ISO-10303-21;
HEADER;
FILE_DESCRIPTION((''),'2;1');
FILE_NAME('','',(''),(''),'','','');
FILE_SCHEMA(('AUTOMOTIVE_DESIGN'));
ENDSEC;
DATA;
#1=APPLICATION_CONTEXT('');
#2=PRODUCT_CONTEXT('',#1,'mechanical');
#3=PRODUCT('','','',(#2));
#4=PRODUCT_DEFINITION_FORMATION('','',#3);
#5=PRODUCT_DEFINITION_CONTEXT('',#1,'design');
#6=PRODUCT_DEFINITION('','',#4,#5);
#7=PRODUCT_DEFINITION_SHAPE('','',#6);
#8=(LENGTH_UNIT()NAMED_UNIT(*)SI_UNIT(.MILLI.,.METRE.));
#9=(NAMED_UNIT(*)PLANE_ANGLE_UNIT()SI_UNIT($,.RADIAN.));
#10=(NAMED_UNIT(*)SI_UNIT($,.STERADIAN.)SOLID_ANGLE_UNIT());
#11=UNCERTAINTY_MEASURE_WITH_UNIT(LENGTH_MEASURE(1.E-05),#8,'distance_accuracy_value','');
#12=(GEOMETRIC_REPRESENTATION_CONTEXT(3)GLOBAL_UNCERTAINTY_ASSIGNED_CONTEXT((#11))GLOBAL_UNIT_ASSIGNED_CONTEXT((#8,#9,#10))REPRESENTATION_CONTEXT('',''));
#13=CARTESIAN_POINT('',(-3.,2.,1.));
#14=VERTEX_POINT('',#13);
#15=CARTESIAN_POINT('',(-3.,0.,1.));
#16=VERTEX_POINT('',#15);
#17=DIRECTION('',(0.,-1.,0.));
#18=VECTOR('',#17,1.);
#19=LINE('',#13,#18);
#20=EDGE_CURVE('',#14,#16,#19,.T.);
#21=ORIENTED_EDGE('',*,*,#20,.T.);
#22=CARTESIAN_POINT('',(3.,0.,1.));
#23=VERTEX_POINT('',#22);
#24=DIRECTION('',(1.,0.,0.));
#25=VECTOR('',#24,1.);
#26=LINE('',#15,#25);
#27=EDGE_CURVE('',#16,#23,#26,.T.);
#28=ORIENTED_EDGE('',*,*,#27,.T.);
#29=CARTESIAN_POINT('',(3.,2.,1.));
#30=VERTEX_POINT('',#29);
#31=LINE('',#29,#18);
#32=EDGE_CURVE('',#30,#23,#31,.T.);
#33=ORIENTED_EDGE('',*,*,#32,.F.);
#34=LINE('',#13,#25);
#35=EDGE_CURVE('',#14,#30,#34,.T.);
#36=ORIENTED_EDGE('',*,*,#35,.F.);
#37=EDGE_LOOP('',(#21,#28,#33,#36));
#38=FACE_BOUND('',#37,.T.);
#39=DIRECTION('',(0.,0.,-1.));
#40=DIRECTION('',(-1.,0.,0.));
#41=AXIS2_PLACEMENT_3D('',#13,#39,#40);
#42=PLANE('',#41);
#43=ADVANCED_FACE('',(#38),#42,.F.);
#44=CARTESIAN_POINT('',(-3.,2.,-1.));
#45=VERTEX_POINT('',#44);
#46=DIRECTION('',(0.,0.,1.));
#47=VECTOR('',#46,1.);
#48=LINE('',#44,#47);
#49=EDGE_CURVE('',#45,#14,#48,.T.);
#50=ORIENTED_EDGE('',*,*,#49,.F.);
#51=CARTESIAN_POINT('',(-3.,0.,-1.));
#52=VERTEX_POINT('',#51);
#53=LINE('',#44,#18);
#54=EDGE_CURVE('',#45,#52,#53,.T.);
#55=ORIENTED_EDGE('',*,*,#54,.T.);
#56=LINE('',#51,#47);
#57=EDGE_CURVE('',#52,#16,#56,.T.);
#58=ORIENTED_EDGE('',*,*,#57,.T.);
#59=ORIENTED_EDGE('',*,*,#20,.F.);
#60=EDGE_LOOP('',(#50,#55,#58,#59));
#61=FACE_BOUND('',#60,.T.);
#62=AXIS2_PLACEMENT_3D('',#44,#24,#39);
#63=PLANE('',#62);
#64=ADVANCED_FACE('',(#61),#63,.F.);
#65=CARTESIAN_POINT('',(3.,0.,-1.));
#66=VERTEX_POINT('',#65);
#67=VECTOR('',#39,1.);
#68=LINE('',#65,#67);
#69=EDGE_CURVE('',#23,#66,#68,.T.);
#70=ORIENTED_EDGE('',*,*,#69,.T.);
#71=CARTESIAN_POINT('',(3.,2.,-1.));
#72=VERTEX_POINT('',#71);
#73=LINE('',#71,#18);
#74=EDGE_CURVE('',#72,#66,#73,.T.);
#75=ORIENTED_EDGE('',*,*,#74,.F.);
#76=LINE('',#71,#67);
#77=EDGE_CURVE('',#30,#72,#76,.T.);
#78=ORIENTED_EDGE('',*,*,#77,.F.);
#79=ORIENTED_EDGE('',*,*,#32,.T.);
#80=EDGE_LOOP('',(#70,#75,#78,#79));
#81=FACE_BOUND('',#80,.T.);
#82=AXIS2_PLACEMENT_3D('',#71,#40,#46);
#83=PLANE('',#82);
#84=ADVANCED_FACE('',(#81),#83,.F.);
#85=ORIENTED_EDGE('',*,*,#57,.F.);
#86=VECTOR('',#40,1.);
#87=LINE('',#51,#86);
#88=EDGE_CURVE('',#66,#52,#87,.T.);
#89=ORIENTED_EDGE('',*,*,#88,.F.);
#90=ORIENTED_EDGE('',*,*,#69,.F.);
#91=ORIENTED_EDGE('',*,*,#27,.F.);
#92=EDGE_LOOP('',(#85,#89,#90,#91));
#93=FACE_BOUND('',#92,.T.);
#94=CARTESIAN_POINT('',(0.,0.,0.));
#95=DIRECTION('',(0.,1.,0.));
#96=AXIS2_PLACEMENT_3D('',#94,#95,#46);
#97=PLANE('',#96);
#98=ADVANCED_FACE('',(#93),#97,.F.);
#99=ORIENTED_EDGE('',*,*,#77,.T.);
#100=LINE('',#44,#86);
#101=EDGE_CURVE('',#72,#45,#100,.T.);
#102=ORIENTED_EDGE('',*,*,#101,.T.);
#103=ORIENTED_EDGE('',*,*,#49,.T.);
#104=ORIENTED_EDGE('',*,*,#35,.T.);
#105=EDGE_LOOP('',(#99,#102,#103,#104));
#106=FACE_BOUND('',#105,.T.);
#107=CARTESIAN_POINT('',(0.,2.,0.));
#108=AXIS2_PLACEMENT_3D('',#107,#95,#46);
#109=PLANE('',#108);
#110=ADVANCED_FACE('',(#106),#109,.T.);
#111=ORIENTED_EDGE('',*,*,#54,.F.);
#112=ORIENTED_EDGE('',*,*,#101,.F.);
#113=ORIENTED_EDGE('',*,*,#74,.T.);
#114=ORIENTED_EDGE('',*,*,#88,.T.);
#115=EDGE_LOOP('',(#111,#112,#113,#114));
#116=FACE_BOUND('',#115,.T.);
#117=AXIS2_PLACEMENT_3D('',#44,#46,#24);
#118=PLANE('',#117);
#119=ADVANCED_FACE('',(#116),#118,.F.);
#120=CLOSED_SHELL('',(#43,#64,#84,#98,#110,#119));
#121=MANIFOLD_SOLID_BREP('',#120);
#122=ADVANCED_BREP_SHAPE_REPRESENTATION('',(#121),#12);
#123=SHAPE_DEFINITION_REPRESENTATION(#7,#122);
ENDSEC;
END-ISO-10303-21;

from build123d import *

# Parameters (mm, degrees)
SKETCH_1_W      = 6
SKETCH_1_H      = 2
EXTRUDE_1_DEPTH = 2


with BuildPart() as part:
    # Эскиз1 → Бобышка-Вытянуть1 (new body)
    with BuildSketch(Plane(origin=(0, 0, 0), x_dir=(1, 0, 0), z_dir=(0, 1, 0))):
        Rectangle(SKETCH_1_W, SKETCH_1_H)
    extrude(amount=EXTRUDE_1_DEPTH)


solid = part.part
